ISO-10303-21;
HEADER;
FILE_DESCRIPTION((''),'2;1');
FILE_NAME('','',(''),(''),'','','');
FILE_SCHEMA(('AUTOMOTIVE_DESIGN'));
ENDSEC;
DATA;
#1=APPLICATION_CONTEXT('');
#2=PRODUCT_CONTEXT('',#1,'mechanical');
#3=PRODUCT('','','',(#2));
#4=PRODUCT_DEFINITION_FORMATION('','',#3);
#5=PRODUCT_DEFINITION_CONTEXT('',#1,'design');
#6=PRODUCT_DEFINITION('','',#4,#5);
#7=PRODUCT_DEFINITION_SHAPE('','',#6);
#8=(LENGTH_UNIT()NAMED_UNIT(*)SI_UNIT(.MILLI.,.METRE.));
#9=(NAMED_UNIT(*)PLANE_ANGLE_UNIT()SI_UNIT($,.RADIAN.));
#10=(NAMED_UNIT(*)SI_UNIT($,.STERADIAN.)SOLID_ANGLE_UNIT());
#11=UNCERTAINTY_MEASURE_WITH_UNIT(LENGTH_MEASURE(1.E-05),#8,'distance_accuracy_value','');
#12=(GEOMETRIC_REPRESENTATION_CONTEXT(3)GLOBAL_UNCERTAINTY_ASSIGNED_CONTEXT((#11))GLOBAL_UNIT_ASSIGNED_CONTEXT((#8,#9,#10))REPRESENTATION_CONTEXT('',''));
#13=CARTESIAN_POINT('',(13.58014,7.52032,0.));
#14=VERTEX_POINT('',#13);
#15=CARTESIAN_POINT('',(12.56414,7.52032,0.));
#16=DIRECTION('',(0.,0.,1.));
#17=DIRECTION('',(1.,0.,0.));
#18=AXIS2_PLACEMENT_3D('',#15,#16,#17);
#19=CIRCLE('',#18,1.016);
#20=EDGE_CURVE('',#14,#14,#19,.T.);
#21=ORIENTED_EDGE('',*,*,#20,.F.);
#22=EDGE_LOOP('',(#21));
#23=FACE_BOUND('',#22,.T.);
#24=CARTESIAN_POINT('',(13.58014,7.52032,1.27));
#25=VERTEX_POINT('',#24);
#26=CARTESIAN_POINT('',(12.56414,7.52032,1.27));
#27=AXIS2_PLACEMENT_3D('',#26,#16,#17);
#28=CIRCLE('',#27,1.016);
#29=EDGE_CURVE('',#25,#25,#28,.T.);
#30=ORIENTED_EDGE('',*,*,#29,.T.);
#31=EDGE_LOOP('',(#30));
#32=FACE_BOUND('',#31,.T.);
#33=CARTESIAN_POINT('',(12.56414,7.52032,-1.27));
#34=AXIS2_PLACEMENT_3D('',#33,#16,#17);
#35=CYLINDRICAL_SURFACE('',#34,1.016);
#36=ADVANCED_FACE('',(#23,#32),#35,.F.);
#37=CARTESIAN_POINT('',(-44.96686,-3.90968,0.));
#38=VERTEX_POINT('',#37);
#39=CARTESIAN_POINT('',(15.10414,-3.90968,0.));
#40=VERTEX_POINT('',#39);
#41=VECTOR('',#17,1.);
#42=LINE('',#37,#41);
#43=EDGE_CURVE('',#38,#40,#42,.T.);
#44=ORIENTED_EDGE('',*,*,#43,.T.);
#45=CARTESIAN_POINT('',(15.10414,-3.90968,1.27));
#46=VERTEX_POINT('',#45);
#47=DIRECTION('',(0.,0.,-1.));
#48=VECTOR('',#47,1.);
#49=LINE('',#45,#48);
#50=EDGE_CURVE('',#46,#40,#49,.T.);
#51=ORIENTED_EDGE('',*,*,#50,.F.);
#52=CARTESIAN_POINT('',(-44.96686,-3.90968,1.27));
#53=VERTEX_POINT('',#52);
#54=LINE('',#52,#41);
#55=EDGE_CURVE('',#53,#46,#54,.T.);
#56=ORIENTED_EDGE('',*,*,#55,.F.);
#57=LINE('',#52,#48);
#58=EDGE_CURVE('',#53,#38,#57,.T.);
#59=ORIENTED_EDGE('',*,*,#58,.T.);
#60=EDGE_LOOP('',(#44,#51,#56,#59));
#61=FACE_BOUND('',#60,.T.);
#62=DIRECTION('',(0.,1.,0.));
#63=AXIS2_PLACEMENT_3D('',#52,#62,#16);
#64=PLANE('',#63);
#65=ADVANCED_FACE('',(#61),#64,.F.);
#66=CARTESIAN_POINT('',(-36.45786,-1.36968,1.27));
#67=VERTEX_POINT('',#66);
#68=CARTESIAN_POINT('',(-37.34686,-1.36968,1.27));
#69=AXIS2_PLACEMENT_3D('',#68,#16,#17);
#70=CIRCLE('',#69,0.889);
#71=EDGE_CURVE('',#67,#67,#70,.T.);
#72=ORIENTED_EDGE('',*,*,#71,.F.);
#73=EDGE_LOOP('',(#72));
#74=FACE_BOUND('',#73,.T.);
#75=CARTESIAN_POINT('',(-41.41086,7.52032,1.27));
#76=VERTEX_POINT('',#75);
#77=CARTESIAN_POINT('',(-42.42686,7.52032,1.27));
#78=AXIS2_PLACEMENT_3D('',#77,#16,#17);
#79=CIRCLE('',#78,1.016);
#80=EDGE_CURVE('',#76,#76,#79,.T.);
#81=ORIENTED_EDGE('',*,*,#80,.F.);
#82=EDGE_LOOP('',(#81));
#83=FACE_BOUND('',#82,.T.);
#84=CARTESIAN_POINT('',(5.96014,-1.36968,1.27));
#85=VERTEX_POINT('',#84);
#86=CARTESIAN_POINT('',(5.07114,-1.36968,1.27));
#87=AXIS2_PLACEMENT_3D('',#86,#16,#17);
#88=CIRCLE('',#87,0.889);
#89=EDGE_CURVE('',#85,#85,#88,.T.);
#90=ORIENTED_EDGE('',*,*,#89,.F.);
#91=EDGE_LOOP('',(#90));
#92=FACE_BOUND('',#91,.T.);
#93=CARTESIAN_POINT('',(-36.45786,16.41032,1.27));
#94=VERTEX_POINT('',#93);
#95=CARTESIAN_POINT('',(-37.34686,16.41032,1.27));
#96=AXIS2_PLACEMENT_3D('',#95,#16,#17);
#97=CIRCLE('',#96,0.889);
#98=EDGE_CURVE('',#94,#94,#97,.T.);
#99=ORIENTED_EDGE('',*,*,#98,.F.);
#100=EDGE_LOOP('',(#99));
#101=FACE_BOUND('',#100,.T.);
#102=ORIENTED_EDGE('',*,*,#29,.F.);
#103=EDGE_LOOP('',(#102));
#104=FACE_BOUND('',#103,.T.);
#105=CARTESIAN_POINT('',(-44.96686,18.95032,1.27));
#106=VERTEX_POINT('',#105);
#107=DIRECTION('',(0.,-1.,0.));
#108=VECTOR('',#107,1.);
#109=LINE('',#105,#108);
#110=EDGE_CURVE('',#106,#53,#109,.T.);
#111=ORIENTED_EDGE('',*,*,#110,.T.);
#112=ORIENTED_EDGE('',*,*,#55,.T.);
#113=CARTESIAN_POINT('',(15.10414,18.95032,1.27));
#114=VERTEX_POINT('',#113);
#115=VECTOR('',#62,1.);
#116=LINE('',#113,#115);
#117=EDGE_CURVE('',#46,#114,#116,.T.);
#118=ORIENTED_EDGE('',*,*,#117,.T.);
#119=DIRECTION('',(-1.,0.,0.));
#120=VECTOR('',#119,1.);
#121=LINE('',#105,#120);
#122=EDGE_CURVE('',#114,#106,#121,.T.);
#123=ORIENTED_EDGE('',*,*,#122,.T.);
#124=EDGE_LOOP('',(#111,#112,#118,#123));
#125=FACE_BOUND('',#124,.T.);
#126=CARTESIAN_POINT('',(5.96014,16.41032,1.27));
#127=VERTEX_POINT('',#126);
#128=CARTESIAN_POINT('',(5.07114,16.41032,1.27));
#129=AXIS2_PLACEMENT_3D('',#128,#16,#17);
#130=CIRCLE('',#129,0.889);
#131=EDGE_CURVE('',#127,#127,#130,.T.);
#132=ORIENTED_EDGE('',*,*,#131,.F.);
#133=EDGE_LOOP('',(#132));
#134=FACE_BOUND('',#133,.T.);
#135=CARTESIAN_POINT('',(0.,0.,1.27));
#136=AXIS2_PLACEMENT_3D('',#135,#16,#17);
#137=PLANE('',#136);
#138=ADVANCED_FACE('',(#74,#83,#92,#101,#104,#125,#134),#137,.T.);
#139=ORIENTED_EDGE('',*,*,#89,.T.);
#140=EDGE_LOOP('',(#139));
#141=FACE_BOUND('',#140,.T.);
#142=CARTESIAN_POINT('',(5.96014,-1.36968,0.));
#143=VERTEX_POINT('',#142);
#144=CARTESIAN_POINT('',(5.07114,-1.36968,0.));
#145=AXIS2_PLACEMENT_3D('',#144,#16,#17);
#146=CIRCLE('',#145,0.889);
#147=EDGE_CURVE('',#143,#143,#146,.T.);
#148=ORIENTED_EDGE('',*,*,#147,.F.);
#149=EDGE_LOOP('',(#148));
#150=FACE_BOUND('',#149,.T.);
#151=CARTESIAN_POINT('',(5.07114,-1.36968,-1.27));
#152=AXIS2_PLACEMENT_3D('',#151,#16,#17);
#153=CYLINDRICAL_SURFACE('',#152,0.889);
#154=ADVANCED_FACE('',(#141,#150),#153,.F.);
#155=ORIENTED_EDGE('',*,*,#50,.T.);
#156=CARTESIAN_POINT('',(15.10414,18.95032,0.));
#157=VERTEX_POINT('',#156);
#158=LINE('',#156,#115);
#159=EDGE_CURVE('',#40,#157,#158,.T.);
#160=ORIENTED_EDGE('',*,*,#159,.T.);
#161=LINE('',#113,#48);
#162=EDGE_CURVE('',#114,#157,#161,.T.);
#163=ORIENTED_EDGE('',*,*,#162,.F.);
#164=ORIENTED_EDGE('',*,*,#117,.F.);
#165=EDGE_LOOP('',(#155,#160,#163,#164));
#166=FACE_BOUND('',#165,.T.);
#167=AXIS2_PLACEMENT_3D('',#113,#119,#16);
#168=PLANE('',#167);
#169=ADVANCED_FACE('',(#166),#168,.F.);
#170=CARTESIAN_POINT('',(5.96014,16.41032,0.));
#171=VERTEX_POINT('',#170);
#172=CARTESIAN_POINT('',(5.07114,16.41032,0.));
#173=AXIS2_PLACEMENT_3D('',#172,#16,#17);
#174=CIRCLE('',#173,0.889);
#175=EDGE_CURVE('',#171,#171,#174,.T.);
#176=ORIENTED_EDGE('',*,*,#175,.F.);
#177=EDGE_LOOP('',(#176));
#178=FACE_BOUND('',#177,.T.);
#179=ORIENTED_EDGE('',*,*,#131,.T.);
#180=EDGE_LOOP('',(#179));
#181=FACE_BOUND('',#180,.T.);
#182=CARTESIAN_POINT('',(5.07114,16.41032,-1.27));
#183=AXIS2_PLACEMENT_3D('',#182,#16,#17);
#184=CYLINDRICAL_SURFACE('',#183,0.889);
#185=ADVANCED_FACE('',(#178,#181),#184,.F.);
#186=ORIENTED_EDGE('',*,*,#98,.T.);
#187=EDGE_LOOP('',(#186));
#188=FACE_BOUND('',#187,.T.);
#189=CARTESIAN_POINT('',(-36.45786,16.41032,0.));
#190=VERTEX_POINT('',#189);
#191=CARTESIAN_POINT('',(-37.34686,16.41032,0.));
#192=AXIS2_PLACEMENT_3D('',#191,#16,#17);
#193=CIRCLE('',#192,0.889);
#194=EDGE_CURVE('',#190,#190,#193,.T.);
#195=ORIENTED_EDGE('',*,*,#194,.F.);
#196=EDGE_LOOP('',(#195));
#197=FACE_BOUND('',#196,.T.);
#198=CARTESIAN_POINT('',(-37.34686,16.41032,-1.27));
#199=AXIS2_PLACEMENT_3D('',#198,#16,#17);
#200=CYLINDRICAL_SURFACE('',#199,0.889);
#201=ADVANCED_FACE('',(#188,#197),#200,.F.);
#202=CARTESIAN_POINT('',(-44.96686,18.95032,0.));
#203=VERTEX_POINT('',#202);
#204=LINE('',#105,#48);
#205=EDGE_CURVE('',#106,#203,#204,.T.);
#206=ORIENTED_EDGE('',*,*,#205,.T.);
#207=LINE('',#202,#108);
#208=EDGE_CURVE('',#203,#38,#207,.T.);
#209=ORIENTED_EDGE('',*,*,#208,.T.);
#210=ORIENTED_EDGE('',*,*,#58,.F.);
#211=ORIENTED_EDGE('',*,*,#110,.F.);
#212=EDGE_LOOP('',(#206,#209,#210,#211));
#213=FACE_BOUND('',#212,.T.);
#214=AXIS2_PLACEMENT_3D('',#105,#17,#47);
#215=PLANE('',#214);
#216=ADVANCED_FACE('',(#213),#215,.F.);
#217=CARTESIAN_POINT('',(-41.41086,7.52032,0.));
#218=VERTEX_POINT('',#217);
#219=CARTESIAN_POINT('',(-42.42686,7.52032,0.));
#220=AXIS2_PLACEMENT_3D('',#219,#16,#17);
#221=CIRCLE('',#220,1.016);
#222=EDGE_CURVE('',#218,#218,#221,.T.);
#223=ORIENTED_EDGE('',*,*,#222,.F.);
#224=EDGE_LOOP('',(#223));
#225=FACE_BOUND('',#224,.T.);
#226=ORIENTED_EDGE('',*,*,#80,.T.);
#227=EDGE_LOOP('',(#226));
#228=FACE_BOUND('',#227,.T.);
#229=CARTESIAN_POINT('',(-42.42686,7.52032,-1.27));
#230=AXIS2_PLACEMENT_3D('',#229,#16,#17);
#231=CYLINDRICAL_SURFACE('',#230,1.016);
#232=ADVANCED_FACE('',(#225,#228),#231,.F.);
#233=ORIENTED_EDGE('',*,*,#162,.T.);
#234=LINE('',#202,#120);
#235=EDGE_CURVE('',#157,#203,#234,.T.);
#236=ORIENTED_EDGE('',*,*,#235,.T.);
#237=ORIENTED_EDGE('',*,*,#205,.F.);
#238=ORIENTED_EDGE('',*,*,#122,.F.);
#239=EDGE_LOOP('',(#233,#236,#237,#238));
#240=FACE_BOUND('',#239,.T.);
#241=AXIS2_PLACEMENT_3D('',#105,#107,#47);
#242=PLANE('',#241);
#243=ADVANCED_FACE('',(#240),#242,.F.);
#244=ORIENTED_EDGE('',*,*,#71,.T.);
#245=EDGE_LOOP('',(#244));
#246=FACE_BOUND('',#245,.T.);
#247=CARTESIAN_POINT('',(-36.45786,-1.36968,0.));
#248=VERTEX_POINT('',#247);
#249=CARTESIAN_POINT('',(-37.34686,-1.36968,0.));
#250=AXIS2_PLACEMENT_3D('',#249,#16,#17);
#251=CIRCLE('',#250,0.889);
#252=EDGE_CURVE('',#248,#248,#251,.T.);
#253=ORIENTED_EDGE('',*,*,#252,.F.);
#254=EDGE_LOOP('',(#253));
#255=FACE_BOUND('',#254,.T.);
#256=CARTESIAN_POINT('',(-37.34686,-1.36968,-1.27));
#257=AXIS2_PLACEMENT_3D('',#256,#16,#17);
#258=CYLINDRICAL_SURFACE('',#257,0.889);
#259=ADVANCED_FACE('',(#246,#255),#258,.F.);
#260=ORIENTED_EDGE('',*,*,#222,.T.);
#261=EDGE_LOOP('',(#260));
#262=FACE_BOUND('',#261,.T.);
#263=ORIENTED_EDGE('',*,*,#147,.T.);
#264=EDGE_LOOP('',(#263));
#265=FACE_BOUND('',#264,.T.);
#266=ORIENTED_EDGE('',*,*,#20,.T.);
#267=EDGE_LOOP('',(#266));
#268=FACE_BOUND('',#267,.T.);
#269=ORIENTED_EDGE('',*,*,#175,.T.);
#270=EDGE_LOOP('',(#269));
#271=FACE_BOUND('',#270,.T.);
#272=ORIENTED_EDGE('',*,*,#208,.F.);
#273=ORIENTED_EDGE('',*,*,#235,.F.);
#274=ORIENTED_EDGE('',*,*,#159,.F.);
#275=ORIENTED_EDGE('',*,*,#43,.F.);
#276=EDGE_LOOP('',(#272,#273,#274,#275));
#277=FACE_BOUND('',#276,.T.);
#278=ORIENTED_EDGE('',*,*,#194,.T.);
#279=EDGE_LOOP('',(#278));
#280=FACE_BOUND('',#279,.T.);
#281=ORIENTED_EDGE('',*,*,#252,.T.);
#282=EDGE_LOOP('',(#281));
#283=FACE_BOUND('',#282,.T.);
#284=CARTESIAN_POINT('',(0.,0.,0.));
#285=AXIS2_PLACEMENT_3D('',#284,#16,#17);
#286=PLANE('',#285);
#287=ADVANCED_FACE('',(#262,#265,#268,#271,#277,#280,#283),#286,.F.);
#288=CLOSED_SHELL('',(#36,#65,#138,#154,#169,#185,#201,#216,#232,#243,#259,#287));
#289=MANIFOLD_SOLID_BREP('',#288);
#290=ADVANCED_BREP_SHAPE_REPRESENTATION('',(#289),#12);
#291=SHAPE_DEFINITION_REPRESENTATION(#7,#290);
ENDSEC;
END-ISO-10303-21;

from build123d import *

# Parameters (mm, degrees)
SKETCH1_W           = 60.071
SKETCH1_H           = 22.86
BOSS_EXTRUDE1_DEPTH = 1.27
SKETCH2_R           = 0.889
SKETCH2_R_2         = 1.016
CUT_EXTRUDE1_DEPTH  = 2.54


with BuildPart() as part:
    # Sketch1 → Boss-Extrude1 (new body)
    with BuildSketch(Plane.XY):
        with Locations((-14.931360465, 7.520319767)):
            Rectangle(SKETCH1_W, SKETCH1_H)
    extrude(amount=BOSS_EXTRUDE1_DEPTH)

    # Sketch2 → Cut-Extrude1 (cut)
    with BuildSketch(Plane.XY.offset(1.27)):
        with Locations((-37.346860465, 16.410319767)):
            Circle(SKETCH2_R)
        with Locations((5.071139535, 16.410319767)):
            Circle(SKETCH2_R)
        with Locations((-37.346860465, -1.369680233)):
            Circle(SKETCH2_R)
        with Locations((5.071139535, -1.369680233)):
            Circle(SKETCH2_R)
        with Locations((-42.426860465, 7.520319767)):
            Circle(SKETCH2_R_2)
        with Locations((12.564139535, 7.520319767)):
            Circle(SKETCH2_R_2)
    extrude(amount=-CUT_EXTRUDE1_DEPTH, mode=Mode.SUBTRACT)


solid = part.part
